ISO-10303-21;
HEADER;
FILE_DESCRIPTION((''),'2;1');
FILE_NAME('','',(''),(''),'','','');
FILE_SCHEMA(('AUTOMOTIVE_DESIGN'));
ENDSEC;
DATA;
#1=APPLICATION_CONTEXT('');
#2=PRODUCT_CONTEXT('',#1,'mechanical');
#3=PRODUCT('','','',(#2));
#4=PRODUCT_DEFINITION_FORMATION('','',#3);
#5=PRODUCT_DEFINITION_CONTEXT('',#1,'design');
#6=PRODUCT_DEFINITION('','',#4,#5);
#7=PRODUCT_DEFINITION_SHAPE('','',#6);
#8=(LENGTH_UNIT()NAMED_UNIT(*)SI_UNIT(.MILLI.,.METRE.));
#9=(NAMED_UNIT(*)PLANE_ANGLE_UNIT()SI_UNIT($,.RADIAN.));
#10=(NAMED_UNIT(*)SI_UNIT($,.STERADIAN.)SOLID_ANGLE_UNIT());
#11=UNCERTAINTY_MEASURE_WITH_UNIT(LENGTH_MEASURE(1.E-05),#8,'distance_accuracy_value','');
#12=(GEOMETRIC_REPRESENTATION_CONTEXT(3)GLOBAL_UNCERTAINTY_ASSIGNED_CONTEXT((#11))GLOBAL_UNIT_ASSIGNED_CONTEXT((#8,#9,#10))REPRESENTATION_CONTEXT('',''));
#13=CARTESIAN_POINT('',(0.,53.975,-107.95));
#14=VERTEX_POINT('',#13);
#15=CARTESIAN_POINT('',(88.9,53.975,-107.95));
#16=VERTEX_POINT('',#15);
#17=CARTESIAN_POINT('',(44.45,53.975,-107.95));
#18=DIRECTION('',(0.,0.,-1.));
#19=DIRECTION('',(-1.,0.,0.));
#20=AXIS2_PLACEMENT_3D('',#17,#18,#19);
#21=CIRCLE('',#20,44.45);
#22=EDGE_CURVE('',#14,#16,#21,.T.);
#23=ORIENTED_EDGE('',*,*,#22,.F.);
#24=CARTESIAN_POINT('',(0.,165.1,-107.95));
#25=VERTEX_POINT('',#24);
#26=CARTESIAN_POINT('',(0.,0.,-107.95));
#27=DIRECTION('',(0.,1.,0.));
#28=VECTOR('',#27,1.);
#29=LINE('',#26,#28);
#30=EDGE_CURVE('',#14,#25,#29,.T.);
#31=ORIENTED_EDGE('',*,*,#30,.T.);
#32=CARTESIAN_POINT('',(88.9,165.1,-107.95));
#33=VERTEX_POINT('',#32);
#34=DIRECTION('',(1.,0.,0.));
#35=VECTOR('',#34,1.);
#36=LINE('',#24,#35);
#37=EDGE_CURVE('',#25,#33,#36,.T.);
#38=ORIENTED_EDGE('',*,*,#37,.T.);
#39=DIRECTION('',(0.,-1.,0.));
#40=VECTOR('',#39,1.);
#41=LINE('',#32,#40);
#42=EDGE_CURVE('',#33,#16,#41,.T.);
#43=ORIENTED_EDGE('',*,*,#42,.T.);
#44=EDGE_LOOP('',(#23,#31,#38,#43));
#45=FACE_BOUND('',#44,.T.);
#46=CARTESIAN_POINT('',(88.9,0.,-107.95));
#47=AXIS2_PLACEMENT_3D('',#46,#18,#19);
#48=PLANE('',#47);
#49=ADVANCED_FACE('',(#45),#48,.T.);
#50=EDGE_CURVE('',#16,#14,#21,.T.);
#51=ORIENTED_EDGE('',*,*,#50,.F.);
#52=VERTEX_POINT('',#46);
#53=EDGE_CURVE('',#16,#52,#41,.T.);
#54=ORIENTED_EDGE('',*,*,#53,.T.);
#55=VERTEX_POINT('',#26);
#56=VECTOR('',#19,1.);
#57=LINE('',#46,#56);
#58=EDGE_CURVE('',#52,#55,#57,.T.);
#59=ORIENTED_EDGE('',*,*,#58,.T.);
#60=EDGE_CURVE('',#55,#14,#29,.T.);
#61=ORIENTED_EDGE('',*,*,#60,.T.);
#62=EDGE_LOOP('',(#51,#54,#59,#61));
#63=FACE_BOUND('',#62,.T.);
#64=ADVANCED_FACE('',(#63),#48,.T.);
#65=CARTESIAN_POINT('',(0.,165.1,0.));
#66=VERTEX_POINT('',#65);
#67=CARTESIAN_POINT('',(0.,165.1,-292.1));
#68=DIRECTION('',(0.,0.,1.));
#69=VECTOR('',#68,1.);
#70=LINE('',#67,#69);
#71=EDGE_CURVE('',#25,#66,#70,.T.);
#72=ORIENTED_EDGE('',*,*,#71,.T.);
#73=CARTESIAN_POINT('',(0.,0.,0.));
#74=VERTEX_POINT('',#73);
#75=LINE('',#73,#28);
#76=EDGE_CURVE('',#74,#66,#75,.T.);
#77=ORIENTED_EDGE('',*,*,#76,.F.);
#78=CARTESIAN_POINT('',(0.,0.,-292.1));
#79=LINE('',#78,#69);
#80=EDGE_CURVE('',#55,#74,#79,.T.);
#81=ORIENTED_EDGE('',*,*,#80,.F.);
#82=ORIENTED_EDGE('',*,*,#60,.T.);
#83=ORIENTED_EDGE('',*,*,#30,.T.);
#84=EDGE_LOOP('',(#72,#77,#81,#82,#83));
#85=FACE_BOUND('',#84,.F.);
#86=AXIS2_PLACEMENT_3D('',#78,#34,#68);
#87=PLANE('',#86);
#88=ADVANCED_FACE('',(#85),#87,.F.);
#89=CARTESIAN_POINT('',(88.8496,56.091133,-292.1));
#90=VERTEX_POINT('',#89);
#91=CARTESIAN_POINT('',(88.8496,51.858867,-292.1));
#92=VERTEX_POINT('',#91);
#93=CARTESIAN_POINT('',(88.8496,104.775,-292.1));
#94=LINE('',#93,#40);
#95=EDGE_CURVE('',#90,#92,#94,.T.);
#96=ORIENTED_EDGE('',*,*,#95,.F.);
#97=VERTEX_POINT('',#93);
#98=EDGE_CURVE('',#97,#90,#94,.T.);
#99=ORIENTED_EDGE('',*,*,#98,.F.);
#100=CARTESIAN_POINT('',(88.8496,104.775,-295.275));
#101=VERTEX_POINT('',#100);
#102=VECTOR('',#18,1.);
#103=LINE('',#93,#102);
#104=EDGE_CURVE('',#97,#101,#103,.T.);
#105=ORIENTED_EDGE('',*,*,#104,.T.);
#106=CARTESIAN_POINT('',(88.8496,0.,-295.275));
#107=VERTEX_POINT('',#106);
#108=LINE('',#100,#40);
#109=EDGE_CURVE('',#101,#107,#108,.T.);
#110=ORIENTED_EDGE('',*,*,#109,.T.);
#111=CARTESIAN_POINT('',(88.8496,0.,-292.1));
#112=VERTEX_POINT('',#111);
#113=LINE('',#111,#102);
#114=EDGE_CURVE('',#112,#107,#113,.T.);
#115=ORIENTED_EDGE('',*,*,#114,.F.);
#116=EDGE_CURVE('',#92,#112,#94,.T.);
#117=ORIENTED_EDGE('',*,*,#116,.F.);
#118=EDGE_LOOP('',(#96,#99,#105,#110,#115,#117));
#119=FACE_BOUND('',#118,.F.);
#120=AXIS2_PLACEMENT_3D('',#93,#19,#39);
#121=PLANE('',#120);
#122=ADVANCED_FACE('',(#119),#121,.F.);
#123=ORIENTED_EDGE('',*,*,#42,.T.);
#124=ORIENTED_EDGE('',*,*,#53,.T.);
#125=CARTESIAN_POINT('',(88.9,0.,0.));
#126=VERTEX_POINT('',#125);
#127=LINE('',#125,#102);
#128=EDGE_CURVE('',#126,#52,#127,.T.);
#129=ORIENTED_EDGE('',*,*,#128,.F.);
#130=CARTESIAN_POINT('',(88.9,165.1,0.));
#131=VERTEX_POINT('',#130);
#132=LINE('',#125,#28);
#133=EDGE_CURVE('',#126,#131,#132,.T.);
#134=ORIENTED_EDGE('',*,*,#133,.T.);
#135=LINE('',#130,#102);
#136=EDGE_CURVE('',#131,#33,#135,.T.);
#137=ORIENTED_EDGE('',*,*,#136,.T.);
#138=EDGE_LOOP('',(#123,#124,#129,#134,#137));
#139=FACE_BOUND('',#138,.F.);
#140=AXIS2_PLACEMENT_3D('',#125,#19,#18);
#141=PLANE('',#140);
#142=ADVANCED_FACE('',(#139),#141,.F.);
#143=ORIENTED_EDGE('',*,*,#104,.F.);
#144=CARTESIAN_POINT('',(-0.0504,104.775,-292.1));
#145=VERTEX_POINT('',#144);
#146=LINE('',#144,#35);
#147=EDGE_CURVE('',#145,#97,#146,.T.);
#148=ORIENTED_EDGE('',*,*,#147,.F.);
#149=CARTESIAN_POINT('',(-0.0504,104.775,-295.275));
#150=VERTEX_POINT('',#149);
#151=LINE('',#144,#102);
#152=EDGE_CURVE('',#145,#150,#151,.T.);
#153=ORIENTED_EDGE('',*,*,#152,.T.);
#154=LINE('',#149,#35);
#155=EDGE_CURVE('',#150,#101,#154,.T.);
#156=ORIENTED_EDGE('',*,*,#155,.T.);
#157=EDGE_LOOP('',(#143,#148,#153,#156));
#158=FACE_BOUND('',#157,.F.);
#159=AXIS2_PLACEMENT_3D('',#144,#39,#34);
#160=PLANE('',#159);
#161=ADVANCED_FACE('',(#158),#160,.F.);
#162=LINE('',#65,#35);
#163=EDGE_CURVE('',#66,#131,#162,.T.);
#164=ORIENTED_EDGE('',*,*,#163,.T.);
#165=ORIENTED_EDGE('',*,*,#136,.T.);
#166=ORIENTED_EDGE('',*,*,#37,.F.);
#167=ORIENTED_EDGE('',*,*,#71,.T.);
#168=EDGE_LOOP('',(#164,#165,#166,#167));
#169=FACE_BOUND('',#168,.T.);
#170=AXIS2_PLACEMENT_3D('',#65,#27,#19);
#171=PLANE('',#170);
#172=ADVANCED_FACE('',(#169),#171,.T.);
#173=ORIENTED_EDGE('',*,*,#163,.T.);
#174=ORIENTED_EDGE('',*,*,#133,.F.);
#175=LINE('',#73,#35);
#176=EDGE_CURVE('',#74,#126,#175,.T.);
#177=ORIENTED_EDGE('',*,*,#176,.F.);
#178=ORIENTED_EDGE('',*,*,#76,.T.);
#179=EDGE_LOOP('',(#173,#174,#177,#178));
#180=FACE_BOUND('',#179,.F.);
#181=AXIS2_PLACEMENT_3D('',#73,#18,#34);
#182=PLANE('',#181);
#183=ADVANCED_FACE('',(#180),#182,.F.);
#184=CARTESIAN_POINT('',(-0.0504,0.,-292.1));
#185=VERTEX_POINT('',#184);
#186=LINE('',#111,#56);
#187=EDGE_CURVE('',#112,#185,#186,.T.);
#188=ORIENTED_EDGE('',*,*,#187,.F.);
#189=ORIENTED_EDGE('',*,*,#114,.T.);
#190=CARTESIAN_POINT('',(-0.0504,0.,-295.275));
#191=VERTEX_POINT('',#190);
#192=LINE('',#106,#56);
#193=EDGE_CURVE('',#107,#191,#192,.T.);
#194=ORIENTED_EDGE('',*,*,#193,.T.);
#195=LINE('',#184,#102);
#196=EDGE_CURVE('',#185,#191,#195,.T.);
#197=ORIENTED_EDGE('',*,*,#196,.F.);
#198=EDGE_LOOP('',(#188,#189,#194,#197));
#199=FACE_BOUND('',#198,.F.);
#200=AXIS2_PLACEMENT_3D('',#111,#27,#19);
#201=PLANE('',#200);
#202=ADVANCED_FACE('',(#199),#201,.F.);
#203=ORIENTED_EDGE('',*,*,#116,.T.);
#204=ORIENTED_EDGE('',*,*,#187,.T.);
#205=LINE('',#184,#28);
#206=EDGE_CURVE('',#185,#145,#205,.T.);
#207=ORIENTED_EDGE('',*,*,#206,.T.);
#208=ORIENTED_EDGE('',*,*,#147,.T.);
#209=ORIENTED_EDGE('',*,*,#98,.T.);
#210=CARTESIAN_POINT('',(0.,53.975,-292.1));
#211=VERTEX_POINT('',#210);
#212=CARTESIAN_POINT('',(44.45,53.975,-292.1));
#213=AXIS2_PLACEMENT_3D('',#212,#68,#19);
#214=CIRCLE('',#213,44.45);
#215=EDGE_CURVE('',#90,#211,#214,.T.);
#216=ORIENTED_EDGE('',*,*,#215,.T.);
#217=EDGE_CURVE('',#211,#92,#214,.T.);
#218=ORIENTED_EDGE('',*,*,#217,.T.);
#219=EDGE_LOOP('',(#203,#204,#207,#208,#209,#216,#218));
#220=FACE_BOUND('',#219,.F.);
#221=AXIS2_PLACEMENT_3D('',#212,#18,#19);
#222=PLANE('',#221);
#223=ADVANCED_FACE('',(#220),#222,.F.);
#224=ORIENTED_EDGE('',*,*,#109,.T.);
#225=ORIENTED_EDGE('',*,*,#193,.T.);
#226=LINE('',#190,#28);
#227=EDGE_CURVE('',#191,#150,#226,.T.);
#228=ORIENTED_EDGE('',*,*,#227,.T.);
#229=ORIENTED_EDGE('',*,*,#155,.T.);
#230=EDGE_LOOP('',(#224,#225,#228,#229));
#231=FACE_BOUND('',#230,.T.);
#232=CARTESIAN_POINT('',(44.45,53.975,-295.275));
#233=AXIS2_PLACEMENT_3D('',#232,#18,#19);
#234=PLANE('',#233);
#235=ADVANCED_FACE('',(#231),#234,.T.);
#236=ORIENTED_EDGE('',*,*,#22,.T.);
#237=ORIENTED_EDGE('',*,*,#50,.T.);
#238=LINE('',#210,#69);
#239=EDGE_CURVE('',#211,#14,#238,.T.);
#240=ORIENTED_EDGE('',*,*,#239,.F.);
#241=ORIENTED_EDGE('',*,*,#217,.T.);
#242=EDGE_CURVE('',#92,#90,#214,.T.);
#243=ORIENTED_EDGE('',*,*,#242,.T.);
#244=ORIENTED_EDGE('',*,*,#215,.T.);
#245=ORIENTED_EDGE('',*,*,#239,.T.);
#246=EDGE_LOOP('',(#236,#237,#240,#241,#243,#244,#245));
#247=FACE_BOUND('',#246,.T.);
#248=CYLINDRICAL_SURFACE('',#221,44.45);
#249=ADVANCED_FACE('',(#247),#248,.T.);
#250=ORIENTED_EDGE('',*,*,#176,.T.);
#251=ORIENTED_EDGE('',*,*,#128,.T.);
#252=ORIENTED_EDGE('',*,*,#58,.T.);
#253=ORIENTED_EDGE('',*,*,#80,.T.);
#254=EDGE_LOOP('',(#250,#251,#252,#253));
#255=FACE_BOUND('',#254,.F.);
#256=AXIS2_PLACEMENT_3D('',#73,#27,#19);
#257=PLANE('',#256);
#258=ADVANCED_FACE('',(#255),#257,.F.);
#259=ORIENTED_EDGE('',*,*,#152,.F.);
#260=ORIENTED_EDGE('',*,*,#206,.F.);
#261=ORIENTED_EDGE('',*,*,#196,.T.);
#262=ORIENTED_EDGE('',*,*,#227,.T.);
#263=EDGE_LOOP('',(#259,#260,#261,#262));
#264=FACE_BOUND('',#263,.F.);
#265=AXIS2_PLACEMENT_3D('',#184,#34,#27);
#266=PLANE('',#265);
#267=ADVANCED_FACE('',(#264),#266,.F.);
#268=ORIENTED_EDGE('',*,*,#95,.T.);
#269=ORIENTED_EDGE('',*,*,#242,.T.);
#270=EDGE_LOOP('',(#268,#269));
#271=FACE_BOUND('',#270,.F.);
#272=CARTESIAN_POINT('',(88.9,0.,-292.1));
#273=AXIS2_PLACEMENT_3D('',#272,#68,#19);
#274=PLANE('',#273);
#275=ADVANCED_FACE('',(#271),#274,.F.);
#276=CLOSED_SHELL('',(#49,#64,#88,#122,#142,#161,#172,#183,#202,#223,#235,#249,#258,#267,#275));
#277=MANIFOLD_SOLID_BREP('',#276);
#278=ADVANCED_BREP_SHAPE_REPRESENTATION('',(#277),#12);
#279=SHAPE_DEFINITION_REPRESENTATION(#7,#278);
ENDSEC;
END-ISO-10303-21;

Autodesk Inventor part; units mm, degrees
ref_plane "YZ Plane" through (0, 0, 0) normal (1, 0, 0) x (0, 1, 0)
ref_plane "XZ Plane" through (0, 0, 0) normal (0, 1, 0) x (-1, 0, 0)
ref_plane "XY Plane" through (0, 0, 0) normal (0, 0, 1) x (1, 0, 0)
sketch "Sketch1" plane through (0, 0, 0) normal (0, 1, 0) x (-1, 0, 0)
  line L0 (0, 0) -> (-88.9, 0)
  line L1 (-88.9, 0) -> (-88.9, -292.1)
  line L2 (-88.9, -292.1) -> (0, -292.1)
  line L3 (0, -292.1) -> (0, 0)
  dimension "d2" = 88.9
  dimension "d3" = 292.1
extrude "Extrusion1" add sketch "Sketch1" along normal blind 165.1
sketch "Sketch2" plane through (88.9, 0, -292.1) normal (0, 0, -1) x (-1, 0, 0)
  line L0 (88.9, 165.1) -> (0, 165.1) projected
  line L1 (0, 0) -> (88.9, 0)
  line L2 (88.9, 0) -> (88.9, 165.1)
  line L3 (88.9, 165.1) -> (0, 165.1)
  line L4 (0, 165.1) -> (0, 0)
  circle A0 centre (44.45, 53.975) radius 44.45
  dimension "d6" = 44.45
  dimension "d7" = 88.9
  dimension "d8" = 53.975
extrude "Extrusion2" cut sketch "Sketch2" against normal blind 184.15 contours L2 A0 L4 L0 | L2 L1 L4 A0
sketch "Sketch3" plane through (44.45, 53.975, -292.1) normal (0, 0, -1) x (-1, 0, 0)
  line L0 (-44.3996, -53.975) -> (44.5004, -53.975)
  line L1 (44.5004, -53.975) -> (44.5004, 50.8)
  line L2 (44.5004, 50.8) -> (-44.3996, 50.8)
  line L3 (-44.3996, 50.8) -> (-44.3996, -53.975)
  point P0 (44.45, -53.975)
  dimension "d11" = 88.9
  dimension "d12" = 104.775
extrude "Extrusion3" add sketch "Sketch3" along normal blind 3.175
properties part number "compressor"
